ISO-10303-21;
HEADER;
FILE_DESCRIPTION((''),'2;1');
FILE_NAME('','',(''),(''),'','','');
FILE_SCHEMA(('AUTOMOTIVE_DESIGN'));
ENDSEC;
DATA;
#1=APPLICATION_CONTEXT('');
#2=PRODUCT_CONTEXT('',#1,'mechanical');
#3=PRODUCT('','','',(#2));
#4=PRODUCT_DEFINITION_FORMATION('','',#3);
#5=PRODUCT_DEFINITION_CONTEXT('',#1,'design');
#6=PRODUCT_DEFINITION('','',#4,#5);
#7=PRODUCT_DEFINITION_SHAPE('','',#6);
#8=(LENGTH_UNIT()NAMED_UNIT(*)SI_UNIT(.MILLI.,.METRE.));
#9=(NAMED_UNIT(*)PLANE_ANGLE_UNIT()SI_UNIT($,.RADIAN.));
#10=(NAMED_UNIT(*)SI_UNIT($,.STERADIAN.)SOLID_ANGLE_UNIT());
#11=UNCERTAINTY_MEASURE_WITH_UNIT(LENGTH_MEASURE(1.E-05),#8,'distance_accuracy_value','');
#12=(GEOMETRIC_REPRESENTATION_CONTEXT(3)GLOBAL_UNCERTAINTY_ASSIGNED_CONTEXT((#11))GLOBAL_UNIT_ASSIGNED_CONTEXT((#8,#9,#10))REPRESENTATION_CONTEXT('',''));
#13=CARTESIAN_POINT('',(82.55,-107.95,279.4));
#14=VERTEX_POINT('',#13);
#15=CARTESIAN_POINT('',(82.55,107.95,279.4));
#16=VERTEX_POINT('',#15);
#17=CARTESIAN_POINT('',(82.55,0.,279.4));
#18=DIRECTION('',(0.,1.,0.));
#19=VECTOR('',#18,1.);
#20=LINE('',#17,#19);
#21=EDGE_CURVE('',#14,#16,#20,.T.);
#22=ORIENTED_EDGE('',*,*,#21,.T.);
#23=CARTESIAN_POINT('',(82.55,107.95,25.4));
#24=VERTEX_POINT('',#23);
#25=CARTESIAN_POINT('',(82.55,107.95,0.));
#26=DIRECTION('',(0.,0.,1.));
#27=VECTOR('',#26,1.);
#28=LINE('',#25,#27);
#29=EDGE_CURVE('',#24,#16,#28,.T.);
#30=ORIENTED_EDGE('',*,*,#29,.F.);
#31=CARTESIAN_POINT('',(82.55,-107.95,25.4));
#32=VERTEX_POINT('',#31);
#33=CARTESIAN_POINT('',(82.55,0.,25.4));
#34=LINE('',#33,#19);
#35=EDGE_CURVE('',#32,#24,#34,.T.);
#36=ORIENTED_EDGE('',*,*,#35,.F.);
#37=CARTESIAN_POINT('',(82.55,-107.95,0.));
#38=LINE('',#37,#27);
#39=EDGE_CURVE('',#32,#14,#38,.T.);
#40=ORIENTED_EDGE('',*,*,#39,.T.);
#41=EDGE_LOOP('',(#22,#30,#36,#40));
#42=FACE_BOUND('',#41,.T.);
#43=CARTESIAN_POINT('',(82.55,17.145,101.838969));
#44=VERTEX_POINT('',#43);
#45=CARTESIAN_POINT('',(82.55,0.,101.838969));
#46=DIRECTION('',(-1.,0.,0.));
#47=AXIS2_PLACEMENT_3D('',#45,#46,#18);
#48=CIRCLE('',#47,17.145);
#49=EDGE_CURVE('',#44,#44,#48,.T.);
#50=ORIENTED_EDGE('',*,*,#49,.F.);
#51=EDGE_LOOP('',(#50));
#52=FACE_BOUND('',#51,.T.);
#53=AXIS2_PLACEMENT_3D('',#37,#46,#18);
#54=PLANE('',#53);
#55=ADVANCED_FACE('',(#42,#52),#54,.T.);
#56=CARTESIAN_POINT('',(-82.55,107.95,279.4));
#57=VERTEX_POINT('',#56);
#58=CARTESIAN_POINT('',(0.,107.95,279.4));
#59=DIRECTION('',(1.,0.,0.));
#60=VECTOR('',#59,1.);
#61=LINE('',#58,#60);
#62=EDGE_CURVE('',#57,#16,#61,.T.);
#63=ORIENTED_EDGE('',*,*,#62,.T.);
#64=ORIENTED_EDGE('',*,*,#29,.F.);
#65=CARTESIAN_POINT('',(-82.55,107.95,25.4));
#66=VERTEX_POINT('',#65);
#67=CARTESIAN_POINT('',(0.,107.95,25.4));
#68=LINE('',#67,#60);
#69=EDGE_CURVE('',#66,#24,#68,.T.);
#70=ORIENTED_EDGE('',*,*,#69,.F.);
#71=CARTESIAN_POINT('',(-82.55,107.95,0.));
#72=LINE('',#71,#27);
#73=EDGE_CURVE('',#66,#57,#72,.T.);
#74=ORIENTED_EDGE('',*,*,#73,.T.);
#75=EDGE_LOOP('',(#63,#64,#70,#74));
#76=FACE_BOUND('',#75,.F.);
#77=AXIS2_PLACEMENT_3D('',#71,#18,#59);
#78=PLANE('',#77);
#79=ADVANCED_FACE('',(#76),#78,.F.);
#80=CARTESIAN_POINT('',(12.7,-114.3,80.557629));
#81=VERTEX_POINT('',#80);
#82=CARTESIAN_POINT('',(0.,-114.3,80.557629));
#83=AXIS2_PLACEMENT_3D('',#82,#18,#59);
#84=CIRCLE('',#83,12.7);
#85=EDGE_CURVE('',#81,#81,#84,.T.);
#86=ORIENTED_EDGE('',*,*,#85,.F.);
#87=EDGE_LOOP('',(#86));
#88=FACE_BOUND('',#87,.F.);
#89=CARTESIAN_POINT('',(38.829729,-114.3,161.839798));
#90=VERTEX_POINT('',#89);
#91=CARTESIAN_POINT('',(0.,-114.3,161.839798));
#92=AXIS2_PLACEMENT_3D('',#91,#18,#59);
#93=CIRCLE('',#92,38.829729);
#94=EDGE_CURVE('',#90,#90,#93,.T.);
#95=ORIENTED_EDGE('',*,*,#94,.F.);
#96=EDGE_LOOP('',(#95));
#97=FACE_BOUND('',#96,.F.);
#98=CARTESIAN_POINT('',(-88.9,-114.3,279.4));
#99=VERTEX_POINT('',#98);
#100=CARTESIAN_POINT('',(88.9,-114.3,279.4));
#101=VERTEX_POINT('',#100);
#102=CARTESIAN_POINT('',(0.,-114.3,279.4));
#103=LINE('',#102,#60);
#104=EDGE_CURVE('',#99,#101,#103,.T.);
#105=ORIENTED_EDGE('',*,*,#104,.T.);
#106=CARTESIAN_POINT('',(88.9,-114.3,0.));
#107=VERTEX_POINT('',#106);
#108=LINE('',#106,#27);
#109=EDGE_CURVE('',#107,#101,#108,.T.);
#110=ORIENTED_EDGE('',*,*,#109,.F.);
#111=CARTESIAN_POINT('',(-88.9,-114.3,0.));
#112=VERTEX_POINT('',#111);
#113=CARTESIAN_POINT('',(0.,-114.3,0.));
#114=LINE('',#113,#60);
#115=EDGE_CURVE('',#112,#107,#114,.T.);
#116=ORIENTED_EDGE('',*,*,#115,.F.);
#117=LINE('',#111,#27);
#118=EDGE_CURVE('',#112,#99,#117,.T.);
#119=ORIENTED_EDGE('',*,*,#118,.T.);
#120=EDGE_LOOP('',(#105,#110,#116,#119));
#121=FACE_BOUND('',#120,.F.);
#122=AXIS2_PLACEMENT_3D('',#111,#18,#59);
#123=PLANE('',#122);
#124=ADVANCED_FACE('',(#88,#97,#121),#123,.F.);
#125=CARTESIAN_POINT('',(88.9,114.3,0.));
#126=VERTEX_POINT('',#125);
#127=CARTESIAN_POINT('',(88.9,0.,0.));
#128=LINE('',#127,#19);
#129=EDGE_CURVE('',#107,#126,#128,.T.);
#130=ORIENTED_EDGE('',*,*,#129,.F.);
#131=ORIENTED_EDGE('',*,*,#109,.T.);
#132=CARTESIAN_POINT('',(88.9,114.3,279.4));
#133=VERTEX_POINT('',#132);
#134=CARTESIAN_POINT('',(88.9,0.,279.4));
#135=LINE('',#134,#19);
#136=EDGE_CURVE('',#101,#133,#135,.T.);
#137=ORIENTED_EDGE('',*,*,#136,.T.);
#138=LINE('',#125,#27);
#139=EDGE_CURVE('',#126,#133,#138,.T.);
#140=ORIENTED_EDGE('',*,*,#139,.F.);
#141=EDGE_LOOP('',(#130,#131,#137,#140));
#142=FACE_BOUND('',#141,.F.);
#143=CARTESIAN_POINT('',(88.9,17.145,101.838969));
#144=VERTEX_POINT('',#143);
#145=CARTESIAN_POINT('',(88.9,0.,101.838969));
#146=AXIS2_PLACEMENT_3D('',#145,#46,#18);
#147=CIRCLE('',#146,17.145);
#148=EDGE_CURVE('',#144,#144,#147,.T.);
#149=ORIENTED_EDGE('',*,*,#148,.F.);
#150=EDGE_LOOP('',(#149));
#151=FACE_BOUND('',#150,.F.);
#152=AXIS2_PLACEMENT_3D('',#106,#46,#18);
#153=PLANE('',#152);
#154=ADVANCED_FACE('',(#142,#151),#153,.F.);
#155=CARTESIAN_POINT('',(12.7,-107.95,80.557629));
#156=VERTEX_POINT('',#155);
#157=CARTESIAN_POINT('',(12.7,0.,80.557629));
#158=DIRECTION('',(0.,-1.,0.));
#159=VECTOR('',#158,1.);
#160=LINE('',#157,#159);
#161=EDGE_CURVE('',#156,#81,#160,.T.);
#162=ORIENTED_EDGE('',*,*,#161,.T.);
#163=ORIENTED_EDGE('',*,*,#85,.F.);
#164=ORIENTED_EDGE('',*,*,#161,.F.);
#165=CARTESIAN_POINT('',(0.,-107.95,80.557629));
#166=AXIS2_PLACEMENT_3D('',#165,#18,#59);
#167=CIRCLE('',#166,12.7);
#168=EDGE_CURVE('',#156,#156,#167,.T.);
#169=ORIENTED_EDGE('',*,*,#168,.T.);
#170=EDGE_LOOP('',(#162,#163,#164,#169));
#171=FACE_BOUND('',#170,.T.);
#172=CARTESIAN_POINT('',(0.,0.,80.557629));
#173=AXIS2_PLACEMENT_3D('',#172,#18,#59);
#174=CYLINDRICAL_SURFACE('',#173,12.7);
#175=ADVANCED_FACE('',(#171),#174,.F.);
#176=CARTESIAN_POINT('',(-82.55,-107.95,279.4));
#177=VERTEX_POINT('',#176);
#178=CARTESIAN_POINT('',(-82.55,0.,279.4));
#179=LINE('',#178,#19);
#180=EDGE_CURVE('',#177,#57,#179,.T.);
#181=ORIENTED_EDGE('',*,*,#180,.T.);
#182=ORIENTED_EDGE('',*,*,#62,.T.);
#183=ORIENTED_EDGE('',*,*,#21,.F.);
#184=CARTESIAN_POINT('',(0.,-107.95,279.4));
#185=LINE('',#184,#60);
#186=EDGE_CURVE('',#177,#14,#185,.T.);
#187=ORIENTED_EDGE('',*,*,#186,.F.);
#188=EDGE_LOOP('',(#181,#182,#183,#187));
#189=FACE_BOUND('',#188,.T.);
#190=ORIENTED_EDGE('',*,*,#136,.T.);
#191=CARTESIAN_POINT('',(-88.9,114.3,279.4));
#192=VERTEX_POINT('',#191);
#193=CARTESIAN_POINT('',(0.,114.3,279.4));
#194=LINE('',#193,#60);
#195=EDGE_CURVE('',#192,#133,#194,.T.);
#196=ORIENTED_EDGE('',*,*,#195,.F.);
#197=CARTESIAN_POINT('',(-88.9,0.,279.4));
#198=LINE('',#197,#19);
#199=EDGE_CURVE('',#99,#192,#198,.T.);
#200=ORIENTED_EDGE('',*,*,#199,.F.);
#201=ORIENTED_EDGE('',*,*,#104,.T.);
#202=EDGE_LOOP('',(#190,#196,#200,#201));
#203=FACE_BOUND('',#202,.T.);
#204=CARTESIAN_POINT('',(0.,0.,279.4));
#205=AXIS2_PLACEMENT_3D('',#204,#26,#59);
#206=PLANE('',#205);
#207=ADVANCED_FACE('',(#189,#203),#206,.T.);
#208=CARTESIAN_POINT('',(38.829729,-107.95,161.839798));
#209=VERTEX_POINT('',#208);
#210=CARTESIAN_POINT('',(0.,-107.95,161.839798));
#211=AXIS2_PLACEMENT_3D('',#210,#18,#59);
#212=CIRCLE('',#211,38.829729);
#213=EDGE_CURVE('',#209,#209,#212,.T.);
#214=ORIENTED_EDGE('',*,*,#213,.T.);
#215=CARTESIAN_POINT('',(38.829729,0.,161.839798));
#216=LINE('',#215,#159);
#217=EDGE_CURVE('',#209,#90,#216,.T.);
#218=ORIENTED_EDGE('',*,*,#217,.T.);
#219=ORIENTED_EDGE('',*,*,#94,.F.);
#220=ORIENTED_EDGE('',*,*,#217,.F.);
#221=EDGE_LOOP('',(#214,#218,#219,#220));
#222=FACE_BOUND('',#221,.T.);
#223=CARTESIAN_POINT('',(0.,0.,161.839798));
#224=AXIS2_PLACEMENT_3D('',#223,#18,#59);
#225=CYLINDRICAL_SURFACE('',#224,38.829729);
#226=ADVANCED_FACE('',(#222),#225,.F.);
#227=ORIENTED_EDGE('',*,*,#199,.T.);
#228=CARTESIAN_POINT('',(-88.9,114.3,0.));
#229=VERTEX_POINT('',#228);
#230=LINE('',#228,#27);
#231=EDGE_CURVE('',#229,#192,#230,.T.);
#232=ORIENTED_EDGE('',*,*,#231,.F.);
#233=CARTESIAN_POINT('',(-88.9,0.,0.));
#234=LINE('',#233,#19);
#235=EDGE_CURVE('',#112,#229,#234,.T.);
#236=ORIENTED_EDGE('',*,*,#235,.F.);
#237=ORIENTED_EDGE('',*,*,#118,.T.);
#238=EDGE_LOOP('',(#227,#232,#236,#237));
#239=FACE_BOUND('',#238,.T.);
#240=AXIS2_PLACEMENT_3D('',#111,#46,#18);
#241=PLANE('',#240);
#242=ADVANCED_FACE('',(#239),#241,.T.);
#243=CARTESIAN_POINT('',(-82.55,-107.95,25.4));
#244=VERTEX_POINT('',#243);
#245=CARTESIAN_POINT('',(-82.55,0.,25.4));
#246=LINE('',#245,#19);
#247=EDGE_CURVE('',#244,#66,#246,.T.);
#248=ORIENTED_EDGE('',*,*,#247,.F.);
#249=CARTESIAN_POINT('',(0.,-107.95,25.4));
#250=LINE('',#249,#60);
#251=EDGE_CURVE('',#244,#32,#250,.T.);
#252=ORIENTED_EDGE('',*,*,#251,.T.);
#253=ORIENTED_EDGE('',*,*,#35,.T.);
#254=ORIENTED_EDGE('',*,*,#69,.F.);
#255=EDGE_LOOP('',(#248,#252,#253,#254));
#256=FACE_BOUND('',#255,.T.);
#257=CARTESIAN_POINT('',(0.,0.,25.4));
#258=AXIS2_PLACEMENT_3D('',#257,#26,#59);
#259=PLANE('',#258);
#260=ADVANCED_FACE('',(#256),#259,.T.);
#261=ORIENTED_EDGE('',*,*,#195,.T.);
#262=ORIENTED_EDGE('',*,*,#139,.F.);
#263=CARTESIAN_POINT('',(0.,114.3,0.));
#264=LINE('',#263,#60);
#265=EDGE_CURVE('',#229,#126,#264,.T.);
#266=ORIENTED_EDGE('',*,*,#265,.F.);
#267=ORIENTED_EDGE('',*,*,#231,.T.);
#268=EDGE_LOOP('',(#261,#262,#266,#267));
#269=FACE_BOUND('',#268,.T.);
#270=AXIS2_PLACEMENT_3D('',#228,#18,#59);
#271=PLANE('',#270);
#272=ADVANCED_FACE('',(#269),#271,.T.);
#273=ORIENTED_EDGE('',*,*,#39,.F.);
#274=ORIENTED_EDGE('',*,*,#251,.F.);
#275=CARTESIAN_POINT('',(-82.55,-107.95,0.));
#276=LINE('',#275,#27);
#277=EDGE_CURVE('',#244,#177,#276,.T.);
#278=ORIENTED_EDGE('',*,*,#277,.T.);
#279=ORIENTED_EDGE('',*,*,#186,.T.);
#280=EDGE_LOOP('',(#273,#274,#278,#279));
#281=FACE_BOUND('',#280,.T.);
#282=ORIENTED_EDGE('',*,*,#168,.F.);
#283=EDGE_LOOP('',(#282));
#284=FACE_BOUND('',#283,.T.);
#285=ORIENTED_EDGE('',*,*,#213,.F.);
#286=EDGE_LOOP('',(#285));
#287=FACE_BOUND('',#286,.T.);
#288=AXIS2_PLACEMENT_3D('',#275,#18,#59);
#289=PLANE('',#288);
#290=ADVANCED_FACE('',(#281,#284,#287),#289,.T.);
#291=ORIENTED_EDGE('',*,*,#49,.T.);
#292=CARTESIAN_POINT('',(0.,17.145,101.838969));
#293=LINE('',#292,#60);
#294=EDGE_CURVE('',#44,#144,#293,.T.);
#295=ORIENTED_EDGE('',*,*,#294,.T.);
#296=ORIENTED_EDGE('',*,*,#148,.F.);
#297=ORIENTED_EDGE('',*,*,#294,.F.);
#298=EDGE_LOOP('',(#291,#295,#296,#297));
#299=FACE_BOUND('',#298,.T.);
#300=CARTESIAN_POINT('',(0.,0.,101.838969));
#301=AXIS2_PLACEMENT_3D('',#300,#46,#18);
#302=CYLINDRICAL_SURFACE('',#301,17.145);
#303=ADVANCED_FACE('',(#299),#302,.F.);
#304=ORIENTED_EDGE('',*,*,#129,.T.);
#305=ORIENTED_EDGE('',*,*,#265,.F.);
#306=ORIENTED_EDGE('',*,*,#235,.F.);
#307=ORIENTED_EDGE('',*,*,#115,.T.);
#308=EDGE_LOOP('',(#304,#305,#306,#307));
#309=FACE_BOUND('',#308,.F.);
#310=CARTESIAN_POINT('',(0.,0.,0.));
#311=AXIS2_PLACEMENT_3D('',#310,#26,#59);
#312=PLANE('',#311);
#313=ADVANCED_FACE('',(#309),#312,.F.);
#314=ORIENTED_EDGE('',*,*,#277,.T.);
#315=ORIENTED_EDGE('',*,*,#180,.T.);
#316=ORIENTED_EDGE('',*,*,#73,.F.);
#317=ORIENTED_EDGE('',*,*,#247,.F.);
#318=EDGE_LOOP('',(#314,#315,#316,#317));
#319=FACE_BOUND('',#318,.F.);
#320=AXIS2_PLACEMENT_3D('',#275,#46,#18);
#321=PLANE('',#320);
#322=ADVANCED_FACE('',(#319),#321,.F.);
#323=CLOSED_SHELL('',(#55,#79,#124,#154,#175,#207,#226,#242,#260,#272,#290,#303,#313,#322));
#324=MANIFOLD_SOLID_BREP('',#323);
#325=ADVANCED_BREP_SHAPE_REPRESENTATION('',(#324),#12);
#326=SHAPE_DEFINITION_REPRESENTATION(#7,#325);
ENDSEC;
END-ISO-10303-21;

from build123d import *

# Parameters (mm, degrees)
F0_W     = 177.8
F0_H     = 228.6
F0_W_2   = 165.1
F0_H_2   = 215.9
F1_DEPTH = 279.4
F2_R     = 12.7
F2_R_2   = 38.829729
F3_DEPTH = 254
F4_R     = 17.145
F5_DEPTH = 254
F6_DEPTH = 25.4


with BuildPart() as f1:
    # F0 (on Top) → F1 (new body)
    with BuildSketch(Plane.XY):
        Rectangle(F0_W, F0_H)
        Rectangle(F0_W_2, F0_H_2, mode=Mode.SUBTRACT)
    extrude(amount=F1_DEPTH)

    # F2 (on Front) → F3 (cut)
    with BuildSketch(Plane.XZ):
        with Locations((0, 80.557629)):
            Circle(F2_R)
        with Locations((0, 161.839798)):
            Circle(F2_R_2)
    extrude(amount=F3_DEPTH, mode=Mode.SUBTRACT)

    # F4 (on Right) → F5 (cut)
    with BuildSketch(Plane.YZ):
        with Locations((0, 101.838969)):
            Circle(F4_R)
    extrude(amount=F5_DEPTH, mode=Mode.SUBTRACT)

    # F0 (on Top) → F6 (join)
    with BuildSketch(Plane.XY):
        Rectangle(F0_W_2, F0_H_2)
    extrude(amount=F6_DEPTH)


solid = f1.part
